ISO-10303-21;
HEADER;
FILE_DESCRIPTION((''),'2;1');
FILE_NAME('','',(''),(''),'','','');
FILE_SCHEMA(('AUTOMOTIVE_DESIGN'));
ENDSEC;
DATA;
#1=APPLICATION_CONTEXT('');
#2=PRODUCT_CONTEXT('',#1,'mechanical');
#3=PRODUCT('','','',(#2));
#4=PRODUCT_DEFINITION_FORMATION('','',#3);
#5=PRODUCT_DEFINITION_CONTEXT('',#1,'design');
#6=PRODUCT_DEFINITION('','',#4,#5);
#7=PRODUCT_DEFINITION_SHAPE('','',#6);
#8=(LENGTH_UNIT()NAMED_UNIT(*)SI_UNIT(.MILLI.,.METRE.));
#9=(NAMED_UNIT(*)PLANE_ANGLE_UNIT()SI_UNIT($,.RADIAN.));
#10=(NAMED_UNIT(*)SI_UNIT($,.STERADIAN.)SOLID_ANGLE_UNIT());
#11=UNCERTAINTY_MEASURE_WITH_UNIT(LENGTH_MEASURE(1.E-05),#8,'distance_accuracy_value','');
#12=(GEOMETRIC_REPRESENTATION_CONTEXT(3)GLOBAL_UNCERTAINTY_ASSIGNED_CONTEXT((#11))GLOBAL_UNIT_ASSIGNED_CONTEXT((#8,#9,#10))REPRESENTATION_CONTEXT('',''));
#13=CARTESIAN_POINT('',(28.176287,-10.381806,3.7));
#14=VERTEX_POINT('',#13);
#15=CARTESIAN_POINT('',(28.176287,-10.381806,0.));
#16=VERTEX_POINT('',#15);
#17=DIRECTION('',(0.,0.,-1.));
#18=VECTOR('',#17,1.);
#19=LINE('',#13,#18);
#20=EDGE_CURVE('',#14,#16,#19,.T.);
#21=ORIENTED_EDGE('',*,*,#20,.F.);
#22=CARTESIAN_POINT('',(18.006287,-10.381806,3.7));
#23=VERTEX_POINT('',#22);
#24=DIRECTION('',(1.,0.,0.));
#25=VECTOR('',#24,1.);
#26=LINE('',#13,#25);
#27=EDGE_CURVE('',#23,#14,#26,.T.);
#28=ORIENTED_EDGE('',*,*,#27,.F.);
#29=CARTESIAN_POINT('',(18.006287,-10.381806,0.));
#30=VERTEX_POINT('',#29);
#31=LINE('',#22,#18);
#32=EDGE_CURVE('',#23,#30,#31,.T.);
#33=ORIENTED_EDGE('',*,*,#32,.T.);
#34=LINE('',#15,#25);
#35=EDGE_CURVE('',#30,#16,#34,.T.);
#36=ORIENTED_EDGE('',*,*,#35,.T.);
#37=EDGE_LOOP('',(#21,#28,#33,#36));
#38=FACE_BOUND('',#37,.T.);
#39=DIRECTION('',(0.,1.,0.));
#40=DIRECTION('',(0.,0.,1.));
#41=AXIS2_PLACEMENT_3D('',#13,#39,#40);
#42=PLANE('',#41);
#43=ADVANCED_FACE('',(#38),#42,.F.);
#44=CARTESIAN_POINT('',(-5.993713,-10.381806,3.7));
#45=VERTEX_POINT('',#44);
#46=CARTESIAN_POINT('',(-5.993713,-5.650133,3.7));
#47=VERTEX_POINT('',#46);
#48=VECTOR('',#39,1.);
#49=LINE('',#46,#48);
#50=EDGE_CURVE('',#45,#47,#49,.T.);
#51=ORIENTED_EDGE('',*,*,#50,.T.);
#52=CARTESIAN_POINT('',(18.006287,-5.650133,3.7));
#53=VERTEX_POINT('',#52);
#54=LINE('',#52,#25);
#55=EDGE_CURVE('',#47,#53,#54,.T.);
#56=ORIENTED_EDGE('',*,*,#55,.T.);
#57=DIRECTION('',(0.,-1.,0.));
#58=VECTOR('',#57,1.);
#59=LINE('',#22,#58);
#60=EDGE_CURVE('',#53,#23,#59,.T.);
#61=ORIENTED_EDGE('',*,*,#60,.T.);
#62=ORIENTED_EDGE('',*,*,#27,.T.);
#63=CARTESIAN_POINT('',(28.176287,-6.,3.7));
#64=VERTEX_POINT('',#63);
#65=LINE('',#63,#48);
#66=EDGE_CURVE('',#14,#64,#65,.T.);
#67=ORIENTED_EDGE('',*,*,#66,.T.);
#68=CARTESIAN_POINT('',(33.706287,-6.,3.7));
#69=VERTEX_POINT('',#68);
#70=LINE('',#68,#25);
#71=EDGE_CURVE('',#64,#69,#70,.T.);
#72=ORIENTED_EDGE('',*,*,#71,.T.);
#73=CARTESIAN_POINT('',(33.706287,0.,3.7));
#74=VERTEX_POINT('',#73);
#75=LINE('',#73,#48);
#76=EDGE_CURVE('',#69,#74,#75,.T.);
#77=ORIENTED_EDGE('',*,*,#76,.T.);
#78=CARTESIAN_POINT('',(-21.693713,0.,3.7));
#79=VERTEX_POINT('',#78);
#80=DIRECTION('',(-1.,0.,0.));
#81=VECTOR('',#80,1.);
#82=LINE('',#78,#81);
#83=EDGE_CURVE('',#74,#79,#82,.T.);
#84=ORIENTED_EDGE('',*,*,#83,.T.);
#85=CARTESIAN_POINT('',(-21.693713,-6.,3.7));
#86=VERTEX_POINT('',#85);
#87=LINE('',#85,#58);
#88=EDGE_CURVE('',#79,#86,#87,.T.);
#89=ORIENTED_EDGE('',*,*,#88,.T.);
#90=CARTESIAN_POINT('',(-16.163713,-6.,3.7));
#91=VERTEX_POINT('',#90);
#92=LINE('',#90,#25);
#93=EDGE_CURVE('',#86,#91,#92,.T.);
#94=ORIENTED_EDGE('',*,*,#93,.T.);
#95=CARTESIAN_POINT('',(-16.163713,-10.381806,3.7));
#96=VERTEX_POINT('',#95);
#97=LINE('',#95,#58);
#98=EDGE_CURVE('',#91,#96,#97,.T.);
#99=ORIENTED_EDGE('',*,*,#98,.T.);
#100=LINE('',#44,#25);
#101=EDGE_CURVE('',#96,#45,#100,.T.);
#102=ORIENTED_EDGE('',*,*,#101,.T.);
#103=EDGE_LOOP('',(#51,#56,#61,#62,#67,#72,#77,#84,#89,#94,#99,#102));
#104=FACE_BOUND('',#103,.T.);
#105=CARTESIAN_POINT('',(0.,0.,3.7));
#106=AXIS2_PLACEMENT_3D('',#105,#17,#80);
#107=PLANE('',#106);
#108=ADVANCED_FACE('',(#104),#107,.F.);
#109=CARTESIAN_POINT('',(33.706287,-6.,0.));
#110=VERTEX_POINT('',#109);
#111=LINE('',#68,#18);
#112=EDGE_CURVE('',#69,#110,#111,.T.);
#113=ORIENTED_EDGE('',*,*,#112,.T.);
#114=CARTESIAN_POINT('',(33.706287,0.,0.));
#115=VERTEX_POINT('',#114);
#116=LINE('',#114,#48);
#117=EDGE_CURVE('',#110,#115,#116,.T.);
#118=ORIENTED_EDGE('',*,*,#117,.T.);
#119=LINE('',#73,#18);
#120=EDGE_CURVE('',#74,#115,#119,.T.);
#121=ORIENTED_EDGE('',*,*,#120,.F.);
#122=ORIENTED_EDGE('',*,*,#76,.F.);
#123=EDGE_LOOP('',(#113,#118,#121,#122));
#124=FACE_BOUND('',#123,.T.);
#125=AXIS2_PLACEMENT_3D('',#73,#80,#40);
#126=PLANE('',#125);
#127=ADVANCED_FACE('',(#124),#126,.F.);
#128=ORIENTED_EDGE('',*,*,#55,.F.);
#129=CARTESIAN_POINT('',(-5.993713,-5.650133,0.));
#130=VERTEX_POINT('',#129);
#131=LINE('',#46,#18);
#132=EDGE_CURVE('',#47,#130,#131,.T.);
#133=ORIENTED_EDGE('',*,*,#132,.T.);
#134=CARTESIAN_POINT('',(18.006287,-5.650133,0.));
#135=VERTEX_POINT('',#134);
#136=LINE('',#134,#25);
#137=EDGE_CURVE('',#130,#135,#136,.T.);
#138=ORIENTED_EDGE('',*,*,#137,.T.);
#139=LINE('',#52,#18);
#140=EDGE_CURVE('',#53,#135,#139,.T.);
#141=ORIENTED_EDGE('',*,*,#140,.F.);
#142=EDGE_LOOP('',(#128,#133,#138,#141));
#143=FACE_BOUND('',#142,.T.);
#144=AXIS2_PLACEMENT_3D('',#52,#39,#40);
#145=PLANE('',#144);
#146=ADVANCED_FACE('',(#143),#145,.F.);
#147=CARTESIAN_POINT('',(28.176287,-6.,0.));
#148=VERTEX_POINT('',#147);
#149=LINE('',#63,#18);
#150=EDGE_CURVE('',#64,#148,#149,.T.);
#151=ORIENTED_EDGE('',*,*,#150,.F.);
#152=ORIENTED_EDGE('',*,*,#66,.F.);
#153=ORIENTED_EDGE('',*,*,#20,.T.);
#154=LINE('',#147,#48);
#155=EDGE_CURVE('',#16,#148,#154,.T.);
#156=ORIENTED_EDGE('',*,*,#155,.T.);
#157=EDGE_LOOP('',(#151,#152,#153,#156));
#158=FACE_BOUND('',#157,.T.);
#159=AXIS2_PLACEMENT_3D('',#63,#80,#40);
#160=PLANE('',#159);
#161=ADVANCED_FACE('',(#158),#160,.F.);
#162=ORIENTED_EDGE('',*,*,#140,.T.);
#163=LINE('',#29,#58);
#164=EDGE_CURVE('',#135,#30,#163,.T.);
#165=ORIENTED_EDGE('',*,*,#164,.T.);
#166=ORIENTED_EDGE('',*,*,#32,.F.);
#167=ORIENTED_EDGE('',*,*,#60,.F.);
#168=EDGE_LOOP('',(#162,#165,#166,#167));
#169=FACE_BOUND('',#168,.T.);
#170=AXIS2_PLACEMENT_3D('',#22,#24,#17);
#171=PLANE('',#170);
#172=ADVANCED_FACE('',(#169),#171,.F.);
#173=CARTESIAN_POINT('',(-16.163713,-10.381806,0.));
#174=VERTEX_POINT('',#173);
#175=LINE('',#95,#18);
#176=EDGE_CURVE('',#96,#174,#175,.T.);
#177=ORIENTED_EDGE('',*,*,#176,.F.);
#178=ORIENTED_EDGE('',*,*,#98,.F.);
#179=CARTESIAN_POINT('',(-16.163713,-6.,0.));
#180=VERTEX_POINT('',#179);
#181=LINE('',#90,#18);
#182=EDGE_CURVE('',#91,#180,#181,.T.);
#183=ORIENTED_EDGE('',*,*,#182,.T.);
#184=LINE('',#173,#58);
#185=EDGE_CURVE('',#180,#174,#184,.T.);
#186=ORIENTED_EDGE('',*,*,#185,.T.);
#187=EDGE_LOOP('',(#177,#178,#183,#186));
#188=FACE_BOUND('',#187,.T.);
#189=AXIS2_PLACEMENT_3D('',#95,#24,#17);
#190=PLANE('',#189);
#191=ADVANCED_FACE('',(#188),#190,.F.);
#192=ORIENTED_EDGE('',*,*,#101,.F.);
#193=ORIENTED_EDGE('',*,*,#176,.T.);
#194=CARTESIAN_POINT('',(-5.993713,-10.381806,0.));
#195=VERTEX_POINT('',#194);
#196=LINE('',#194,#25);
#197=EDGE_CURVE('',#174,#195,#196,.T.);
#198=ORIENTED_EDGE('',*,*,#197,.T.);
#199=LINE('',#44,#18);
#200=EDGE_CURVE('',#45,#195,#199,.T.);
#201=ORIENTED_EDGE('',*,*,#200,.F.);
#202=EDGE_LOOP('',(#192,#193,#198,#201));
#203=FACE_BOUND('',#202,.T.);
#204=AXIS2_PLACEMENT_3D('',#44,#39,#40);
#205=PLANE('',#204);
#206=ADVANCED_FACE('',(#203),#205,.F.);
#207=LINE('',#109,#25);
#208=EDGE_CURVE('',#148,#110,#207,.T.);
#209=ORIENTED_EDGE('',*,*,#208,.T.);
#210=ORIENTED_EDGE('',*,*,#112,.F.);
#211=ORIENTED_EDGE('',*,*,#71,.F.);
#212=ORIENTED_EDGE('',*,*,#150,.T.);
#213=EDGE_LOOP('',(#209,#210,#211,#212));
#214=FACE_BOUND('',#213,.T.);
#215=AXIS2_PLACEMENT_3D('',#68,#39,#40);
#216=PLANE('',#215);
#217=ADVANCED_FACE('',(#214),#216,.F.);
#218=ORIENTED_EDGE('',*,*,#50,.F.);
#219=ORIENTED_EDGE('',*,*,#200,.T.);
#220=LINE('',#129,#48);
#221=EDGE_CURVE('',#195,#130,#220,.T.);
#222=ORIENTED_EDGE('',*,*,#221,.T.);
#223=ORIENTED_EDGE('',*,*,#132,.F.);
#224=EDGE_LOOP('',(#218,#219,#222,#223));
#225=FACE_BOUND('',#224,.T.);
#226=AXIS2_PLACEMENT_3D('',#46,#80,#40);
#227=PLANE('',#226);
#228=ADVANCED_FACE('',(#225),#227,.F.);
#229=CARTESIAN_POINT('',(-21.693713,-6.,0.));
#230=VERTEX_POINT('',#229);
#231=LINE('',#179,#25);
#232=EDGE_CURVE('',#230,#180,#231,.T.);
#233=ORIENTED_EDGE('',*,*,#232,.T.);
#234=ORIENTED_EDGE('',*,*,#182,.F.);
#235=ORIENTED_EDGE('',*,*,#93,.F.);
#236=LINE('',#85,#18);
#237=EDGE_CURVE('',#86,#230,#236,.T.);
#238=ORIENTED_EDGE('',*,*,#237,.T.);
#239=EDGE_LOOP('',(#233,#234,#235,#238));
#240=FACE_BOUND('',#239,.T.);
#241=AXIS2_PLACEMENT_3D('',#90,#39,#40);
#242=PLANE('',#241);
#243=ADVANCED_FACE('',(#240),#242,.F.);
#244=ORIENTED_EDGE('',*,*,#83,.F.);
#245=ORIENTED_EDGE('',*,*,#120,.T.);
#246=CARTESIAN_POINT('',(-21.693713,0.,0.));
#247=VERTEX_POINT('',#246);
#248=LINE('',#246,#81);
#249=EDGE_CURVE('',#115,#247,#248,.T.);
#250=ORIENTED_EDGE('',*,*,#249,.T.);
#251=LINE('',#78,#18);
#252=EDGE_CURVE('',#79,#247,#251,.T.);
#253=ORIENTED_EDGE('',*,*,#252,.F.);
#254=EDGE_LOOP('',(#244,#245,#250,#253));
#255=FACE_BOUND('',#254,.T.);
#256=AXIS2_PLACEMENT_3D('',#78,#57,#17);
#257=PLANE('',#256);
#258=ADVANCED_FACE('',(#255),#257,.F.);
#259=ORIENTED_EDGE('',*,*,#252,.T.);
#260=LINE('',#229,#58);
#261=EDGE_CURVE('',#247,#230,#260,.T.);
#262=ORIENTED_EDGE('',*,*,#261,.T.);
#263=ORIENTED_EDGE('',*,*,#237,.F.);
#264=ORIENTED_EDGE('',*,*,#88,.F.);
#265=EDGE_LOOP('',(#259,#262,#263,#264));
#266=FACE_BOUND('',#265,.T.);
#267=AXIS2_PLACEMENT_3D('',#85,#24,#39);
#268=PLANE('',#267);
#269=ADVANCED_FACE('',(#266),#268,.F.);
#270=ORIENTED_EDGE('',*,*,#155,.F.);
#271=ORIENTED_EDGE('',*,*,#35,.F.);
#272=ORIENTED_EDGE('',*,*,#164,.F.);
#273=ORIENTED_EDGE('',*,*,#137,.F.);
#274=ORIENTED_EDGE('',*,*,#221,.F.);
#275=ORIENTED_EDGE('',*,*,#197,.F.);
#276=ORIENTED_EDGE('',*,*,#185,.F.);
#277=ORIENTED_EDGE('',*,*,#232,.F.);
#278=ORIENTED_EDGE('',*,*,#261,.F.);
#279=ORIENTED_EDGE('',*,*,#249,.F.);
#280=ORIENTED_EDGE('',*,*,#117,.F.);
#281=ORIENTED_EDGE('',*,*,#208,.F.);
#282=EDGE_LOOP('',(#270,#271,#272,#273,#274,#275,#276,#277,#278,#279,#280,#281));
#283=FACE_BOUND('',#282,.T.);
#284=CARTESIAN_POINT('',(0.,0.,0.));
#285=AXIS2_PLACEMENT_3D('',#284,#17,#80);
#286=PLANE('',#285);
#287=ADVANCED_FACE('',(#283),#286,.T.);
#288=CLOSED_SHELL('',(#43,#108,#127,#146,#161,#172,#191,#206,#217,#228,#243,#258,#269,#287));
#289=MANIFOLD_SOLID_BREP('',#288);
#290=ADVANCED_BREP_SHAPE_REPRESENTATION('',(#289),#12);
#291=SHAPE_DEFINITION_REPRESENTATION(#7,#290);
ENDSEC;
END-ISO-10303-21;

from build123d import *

# Parameters (mm, degrees)
BOSS_EXTRUDE1_DEPTH = 3.7


with BuildPart() as part:
    # Sketch1 → Boss-Extrude1 (new body)
    with BuildSketch(Plane.XY):
        Polygon((-21.693712593, 0), (33.706287407, 0), (33.706287407, -6), (28.176287407, -6), (28.176287407, -10.381805668), (18.006287407, -10.381805668), (18.006287407, -5.65013307), (-5.993712593, -5.65013307), (-5.993712593, -10.381805668), (-16.163712593, -10.381805668), (-16.163712593, -6), (-21.693712593, -6), align=None)
    extrude(amount=BOSS_EXTRUDE1_DEPTH)


solid = part.part
